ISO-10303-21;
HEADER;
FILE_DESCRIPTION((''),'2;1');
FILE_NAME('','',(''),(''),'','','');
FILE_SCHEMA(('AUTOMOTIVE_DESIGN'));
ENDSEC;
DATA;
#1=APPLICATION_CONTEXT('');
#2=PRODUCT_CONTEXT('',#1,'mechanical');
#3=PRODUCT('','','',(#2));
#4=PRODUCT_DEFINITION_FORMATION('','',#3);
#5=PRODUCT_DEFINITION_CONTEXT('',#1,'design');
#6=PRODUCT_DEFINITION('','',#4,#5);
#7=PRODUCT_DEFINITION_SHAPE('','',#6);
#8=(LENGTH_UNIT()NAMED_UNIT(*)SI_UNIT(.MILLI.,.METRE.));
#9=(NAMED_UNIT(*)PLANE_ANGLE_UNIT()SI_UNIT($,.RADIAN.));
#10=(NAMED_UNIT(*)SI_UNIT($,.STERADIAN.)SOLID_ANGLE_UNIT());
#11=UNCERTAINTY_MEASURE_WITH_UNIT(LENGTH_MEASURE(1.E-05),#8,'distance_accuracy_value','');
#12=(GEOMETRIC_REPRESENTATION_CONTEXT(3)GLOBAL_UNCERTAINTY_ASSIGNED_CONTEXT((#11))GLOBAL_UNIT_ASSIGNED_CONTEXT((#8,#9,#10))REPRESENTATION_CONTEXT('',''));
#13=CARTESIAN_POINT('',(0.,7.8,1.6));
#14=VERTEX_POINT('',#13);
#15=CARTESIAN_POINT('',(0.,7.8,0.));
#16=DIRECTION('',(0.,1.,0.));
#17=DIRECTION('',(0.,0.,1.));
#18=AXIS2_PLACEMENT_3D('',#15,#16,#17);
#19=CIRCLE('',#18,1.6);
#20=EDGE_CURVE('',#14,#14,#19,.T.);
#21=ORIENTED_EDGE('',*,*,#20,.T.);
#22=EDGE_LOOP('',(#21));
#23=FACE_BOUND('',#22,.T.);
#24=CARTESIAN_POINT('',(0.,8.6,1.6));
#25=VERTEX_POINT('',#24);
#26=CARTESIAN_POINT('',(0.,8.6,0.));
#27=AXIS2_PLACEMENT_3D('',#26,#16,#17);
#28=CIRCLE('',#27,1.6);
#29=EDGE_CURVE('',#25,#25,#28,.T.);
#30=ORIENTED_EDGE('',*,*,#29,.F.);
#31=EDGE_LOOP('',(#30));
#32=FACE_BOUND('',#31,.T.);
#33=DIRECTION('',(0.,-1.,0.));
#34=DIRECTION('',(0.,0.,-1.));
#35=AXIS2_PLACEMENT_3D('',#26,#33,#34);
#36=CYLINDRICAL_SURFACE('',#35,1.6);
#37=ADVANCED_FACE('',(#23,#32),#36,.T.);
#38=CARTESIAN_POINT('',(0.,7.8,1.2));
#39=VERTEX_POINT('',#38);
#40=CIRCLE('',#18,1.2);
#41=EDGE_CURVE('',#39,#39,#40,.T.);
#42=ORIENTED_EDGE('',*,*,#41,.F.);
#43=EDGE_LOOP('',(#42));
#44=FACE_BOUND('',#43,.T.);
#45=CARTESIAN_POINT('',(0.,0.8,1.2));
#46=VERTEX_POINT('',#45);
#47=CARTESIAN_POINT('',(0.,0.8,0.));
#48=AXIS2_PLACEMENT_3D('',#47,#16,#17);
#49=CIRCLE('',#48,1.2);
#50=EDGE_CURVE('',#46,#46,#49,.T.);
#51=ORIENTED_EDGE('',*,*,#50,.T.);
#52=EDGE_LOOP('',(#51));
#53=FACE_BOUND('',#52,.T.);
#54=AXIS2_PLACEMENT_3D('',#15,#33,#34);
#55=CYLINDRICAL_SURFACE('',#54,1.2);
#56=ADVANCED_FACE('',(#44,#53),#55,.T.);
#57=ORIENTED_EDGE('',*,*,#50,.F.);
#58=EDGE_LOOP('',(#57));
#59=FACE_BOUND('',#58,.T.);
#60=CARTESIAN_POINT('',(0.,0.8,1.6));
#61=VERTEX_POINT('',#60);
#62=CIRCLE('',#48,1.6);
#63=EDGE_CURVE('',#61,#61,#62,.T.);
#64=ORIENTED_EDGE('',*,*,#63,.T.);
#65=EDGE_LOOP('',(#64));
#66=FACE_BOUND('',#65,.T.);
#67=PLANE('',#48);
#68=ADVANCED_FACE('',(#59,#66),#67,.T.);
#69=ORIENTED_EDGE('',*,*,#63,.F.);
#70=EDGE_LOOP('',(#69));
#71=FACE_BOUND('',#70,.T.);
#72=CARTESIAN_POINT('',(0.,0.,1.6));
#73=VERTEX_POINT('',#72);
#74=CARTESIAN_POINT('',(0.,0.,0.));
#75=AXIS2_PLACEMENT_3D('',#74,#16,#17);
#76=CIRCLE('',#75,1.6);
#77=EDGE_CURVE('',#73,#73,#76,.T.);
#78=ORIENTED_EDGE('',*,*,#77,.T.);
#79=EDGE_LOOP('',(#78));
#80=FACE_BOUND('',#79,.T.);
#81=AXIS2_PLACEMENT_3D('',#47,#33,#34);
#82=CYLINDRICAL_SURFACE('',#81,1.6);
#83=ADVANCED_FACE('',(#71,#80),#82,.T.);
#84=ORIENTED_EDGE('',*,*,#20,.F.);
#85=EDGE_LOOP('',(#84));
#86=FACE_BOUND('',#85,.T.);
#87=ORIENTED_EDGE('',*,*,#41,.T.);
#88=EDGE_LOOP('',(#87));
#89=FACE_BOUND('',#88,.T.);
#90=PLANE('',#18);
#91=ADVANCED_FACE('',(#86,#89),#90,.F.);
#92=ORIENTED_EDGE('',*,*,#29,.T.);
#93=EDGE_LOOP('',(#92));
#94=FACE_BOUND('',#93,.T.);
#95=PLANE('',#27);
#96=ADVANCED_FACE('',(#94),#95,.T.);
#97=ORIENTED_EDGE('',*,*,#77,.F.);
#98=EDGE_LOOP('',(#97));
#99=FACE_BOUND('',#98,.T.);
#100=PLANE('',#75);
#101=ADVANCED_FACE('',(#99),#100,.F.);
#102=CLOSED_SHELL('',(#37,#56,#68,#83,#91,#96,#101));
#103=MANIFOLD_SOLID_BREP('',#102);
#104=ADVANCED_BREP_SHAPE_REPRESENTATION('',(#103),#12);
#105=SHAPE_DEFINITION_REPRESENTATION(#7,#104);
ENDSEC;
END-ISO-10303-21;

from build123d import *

# Parameters (mm, degrees)
SKETCH1_R           = 1.6
BOSS_EXTRUDE1_DEPTH = 0.8
SKETCH2_R           = 1.2
BOSS_EXTRUDE2_DEPTH = 7
SKETCH3_R           = 1.6
BOSS_EXTRUDE3_DEPTH = 0.8


with BuildPart() as part:
    # Sketch1 → Boss-Extrude1 (new body)
    with BuildSketch(Plane(origin=(0, 0, 0), x_dir=(1, 0, 0), z_dir=(0, 1, 0))):
        Circle(SKETCH1_R)
    extrude(amount=BOSS_EXTRUDE1_DEPTH)

    # Sketch2 → Boss-Extrude2 (add)
    with BuildSketch(Plane(origin=(0, 0.8, 0), x_dir=(1, 0, 0), z_dir=(0, 1, 0))):
        Circle(SKETCH2_R)
    extrude(amount=BOSS_EXTRUDE2_DEPTH)

    # Sketch3 → Boss-Extrude3 (add)
    with BuildSketch(Plane(origin=(0, 7.8, 0), x_dir=(1, 0, 0), z_dir=(0, 1, 0))):
        Circle(SKETCH3_R)
    extrude(amount=BOSS_EXTRUDE3_DEPTH)


solid = part.part
